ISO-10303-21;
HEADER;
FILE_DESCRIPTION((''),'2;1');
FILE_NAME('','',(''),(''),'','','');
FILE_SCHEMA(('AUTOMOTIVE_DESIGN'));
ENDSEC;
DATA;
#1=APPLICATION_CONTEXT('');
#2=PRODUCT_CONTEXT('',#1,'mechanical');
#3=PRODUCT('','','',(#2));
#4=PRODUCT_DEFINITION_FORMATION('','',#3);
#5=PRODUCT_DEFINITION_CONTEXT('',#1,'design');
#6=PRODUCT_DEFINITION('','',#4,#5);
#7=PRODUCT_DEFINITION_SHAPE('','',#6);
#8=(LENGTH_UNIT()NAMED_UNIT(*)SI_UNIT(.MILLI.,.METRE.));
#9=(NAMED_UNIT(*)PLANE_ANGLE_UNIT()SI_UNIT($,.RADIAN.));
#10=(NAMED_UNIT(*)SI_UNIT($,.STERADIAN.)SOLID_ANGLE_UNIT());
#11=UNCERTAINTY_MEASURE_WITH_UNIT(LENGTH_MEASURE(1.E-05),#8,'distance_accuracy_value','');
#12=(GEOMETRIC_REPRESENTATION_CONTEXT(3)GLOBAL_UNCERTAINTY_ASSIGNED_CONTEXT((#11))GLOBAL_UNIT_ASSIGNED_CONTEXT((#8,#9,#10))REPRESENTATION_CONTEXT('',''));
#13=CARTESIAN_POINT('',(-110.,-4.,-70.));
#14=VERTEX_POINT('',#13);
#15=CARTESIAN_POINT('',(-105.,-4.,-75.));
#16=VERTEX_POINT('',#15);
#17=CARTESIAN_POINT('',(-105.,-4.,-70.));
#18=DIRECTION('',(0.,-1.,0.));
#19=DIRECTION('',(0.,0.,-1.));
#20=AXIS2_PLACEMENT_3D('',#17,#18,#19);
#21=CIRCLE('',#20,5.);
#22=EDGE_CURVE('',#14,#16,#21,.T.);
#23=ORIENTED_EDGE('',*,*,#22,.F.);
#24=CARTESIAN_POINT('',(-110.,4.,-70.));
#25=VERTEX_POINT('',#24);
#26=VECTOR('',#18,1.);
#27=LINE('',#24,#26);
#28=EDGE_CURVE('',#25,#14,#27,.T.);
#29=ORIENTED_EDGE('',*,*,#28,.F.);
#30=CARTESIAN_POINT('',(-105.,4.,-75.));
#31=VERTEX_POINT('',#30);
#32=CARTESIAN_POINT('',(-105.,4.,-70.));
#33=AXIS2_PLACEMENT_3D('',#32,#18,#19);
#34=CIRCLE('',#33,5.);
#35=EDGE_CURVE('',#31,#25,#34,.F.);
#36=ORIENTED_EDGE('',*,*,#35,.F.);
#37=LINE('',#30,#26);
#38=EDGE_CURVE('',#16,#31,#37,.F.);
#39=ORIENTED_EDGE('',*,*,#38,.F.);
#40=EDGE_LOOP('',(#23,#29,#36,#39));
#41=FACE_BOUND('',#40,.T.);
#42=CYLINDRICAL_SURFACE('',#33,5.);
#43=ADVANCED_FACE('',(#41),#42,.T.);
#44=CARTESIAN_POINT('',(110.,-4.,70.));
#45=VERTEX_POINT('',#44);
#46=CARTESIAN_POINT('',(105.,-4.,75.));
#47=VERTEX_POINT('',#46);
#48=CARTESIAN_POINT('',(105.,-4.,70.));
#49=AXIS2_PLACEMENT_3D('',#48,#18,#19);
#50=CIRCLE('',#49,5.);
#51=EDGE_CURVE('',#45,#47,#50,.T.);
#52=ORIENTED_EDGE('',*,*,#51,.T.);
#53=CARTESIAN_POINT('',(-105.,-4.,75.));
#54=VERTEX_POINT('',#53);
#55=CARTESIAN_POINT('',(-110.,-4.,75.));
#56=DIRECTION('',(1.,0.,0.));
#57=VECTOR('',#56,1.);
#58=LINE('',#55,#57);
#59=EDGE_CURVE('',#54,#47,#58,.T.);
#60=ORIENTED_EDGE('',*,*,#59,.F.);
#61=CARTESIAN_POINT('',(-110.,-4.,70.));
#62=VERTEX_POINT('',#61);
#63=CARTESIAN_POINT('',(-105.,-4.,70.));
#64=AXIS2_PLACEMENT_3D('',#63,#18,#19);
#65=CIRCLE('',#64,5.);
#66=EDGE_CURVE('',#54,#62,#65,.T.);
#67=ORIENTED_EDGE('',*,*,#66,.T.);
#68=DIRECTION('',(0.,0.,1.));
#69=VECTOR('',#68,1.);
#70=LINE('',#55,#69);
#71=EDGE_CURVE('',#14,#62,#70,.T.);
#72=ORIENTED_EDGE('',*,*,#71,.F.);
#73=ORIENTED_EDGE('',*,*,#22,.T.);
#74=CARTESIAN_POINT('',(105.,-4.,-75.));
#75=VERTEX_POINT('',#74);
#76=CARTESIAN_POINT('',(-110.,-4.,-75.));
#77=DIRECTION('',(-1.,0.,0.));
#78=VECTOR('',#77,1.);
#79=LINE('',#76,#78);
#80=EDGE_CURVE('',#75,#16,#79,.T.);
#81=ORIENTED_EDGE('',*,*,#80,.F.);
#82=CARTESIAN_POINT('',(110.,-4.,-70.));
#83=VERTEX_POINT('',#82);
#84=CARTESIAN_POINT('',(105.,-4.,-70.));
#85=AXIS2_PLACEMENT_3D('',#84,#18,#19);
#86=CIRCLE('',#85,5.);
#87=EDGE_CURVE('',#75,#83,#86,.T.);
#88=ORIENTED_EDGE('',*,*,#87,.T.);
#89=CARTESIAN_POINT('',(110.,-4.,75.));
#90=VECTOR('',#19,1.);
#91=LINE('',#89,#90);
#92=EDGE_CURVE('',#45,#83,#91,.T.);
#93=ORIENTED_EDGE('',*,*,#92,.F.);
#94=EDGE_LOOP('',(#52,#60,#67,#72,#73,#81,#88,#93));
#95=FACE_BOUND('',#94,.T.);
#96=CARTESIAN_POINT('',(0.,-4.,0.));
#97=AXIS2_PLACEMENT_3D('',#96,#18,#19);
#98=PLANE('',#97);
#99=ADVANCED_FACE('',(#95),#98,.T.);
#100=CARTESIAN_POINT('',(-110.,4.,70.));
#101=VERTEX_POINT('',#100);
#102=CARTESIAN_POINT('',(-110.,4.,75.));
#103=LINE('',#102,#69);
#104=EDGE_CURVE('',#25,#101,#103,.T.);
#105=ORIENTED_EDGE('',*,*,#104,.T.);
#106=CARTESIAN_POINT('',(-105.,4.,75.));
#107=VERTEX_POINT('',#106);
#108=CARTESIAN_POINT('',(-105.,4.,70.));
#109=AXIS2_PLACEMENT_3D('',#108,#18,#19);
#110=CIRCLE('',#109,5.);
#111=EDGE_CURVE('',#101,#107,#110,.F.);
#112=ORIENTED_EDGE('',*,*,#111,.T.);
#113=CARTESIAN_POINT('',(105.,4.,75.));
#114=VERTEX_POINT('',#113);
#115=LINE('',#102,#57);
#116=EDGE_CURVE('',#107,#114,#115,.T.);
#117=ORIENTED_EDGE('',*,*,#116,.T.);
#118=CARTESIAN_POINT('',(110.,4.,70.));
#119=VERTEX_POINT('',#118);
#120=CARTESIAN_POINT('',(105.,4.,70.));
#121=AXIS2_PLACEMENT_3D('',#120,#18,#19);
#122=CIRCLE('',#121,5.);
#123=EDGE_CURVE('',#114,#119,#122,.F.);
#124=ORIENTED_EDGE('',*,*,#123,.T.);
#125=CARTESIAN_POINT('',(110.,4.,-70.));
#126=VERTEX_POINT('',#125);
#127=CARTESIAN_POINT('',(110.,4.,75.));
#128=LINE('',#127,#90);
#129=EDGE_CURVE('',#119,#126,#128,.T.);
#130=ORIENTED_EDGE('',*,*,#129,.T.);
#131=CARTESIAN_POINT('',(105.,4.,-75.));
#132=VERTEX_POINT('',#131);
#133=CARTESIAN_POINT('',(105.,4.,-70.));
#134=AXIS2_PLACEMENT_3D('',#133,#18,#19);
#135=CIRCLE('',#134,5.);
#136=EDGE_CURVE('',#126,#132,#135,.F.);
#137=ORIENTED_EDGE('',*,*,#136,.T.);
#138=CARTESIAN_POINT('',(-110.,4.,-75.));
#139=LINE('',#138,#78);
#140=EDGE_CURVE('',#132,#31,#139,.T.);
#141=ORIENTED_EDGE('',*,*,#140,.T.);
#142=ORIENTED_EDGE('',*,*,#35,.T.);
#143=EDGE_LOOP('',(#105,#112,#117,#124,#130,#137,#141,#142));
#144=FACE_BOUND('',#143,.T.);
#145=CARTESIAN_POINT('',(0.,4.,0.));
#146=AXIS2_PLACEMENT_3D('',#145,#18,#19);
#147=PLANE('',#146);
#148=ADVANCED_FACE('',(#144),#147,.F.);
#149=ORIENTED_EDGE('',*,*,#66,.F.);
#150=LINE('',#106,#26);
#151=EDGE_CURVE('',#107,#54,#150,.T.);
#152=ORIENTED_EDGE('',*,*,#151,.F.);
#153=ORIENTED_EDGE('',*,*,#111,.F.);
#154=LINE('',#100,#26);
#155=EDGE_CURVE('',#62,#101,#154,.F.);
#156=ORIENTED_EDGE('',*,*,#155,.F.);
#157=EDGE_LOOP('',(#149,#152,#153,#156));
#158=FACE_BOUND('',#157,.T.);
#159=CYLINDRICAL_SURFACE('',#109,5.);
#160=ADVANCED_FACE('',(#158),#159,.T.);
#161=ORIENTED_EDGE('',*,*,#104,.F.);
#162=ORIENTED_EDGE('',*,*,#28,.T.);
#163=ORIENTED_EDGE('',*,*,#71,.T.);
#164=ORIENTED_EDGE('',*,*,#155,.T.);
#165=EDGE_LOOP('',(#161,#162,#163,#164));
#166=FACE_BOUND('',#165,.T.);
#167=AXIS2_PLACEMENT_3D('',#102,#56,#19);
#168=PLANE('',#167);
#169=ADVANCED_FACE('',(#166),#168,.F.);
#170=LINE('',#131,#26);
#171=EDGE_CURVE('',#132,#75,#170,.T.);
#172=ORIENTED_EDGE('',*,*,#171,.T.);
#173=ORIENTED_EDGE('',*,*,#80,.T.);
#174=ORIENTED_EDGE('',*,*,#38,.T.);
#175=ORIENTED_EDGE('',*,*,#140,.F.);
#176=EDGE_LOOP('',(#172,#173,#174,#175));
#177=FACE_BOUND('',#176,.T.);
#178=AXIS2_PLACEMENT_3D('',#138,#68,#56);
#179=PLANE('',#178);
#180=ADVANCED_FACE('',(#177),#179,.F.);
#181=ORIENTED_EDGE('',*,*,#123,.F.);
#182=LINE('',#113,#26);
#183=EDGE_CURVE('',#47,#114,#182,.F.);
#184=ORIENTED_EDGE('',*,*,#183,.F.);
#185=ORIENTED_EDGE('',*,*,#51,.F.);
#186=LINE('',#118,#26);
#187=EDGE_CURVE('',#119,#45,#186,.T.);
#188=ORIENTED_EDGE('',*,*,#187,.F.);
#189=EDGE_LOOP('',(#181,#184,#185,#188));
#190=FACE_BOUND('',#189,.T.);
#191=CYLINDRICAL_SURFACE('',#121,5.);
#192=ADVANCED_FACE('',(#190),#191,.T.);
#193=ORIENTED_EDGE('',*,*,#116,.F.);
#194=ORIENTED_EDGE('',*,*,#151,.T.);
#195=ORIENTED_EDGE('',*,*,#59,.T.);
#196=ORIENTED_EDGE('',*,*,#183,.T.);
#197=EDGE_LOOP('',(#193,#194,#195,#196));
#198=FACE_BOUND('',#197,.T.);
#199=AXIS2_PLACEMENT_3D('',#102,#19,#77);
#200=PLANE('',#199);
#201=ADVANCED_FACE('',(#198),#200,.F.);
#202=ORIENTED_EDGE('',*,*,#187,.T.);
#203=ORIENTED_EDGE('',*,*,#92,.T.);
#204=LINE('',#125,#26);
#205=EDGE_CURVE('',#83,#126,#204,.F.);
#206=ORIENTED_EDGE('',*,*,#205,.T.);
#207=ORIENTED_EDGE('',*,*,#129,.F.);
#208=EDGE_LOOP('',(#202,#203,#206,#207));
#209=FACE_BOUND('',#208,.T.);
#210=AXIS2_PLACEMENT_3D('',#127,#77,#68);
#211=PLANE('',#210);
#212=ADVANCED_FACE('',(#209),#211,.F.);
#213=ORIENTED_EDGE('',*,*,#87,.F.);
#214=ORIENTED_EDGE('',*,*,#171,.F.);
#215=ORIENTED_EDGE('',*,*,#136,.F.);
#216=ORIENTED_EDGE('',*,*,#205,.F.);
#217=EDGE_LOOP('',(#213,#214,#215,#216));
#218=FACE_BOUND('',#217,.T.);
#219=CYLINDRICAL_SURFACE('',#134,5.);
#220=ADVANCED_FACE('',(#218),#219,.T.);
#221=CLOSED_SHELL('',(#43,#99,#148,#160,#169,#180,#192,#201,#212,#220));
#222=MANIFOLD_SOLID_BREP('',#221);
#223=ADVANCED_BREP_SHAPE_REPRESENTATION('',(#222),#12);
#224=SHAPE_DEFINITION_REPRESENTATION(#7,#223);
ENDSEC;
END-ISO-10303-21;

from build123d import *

# Parameters (mm, degrees)
SKETCH1_W           = 220
SKETCH1_H           = 150
BOSS_EXTRUDE1_DEPTH = 4
FILLET1_R           = 5


with BuildPart() as part:
    # Sketch1 → Boss-Extrude1 (new, symmetric)
    with BuildSketch(Plane(origin=(0, 0, 0), x_dir=(1, 0, 0), z_dir=(0, 1, 0))):
        Rectangle(SKETCH1_W, SKETCH1_H)
    extrude(amount=BOSS_EXTRUDE1_DEPTH, both=True)

    # Fillet1
    fillet1_edges = [part.edges().sort_by_distance(p)[0] for p in [
        (110, 0, 75),
        (-110, 0, 75),
        (-110, 0, -75),
        (110, 0, -75),
    ]]
    fillet(fillet1_edges, radius=FILLET1_R)


solid = part.part
